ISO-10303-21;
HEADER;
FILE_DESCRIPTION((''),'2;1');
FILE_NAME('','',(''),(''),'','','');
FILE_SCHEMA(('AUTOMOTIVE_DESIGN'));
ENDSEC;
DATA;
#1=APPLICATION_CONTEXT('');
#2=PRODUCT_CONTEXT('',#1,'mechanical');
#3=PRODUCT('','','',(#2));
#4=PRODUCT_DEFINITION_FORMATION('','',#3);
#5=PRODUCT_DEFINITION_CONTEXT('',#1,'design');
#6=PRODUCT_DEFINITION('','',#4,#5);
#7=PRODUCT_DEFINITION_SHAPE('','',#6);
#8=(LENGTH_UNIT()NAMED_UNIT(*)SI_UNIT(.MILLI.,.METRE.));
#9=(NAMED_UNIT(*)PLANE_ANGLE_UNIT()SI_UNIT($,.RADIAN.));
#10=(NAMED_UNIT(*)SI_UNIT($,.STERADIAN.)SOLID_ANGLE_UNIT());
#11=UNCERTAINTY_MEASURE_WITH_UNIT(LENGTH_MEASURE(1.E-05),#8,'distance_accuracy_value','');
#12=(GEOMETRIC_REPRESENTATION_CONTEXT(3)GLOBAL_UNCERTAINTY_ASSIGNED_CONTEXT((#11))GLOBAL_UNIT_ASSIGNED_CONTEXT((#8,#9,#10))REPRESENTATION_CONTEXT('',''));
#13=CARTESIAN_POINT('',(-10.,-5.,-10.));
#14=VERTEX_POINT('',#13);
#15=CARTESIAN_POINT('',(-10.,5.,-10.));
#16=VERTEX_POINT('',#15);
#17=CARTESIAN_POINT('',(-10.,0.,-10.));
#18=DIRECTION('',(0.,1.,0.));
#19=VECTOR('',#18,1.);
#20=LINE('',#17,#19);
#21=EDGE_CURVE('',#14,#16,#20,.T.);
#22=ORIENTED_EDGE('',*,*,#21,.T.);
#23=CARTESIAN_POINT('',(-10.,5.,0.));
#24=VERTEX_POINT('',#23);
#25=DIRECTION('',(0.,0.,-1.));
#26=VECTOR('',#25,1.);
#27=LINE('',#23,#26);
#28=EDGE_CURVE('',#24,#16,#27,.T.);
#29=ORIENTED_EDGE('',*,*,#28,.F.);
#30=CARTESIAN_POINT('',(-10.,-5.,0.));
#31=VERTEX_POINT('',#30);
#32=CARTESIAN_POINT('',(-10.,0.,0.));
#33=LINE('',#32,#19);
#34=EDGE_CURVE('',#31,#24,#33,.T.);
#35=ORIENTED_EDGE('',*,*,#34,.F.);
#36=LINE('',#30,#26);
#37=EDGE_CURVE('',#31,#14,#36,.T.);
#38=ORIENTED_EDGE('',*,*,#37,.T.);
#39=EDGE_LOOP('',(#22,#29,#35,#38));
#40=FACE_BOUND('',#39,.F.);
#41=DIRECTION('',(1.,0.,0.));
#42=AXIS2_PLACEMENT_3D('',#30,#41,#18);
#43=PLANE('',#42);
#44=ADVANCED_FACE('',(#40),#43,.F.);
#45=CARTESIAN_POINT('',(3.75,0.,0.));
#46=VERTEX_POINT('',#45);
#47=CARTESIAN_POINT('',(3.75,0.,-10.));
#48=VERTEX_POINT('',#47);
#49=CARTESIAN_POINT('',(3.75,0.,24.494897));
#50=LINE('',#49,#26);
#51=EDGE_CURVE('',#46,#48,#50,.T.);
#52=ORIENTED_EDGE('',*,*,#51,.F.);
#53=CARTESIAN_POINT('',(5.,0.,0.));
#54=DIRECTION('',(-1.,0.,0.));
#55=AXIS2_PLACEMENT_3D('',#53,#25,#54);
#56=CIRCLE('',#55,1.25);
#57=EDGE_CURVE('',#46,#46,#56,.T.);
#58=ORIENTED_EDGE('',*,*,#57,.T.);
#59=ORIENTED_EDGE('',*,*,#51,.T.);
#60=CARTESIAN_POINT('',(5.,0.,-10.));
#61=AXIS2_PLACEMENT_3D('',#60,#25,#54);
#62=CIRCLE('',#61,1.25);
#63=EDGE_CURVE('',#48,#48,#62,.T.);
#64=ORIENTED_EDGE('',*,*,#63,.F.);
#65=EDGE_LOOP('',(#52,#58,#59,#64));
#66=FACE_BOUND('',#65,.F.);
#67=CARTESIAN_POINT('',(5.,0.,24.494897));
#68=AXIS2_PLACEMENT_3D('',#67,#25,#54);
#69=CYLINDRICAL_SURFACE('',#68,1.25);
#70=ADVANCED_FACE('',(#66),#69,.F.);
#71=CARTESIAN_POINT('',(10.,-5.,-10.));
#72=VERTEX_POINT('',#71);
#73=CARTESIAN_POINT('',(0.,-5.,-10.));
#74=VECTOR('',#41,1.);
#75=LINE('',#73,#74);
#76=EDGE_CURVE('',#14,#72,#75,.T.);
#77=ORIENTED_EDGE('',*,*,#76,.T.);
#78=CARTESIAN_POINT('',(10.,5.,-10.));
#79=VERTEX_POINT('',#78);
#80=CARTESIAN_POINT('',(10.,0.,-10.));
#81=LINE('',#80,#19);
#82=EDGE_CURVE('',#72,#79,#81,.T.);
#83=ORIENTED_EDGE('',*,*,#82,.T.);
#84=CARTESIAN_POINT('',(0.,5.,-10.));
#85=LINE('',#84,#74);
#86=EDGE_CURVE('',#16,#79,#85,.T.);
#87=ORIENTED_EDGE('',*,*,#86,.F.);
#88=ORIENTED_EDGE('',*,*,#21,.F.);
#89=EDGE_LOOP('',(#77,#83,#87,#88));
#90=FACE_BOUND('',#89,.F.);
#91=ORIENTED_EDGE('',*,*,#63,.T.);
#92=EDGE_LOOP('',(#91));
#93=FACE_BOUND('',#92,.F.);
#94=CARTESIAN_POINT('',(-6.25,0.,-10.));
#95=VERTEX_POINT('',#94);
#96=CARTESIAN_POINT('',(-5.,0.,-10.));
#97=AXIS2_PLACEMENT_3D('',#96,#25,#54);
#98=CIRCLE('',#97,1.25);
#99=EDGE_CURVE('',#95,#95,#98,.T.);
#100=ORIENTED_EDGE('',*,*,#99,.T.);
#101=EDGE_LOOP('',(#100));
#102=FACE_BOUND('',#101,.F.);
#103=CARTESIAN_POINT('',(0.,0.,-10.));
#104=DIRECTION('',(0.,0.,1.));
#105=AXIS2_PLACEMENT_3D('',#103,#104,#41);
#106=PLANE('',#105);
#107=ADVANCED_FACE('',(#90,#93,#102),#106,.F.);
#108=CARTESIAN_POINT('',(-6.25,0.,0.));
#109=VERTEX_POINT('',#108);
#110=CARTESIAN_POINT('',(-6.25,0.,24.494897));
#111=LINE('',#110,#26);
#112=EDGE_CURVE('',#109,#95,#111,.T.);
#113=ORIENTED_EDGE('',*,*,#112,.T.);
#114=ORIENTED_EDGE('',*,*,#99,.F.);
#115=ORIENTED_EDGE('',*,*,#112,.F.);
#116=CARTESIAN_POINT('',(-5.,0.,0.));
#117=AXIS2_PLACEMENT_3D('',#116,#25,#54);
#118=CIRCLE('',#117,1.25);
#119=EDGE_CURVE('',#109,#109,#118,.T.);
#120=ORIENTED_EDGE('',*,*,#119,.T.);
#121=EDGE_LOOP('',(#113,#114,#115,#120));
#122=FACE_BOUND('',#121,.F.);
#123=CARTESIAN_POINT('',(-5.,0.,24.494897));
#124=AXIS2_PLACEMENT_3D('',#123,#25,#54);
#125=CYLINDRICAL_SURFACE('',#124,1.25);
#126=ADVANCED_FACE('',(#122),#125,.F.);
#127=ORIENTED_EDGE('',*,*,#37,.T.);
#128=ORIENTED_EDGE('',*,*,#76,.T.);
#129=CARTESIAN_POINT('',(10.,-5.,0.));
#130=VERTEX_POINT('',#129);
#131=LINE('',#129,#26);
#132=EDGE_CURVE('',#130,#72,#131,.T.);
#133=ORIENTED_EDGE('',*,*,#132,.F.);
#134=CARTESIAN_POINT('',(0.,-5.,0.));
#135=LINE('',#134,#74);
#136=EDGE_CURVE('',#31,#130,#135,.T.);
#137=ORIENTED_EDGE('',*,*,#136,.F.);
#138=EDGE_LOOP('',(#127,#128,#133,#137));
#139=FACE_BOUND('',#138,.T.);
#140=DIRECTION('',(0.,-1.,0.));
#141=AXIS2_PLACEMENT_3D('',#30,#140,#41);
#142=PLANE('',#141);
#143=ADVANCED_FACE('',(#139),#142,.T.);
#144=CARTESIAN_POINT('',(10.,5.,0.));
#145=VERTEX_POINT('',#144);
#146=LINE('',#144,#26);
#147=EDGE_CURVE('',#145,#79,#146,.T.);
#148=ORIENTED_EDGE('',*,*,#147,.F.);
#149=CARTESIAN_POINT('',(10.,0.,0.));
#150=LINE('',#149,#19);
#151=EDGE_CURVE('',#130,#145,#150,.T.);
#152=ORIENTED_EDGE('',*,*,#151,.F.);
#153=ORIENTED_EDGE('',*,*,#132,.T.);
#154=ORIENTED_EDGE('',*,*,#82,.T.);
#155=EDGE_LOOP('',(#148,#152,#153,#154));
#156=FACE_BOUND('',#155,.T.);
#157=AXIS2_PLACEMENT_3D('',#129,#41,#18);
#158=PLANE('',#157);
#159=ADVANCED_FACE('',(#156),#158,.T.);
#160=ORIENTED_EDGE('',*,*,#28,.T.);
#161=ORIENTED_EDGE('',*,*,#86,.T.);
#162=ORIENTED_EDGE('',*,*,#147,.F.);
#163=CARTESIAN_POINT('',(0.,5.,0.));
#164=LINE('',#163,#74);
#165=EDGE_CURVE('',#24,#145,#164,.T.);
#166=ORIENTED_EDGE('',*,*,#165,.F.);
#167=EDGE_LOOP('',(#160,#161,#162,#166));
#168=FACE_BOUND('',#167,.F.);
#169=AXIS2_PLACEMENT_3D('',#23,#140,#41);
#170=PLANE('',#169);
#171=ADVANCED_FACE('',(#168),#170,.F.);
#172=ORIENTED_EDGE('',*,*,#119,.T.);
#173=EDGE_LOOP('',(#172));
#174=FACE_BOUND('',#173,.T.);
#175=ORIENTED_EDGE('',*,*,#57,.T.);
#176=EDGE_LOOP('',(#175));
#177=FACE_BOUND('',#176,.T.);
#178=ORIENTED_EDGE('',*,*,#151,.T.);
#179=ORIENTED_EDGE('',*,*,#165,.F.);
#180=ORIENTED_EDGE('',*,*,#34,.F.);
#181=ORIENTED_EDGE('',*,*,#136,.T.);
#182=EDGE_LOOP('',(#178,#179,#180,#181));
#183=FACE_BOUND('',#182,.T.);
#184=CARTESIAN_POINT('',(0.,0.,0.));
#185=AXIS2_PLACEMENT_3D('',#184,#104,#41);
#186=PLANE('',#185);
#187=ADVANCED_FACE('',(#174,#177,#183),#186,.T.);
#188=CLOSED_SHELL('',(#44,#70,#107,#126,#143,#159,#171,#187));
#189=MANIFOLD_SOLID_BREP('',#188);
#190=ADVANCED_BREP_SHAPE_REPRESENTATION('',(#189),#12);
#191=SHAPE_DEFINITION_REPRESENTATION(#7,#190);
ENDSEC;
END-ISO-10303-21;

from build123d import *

# Parameters (mm, degrees)
F0_W     = 20
F0_H     = 10
F1_DEPTH = 10
F2_D     = 2.5


with BuildPart() as f1:
    # F0 (on Top) → F1 (new body)
    with BuildSketch(Plane.XY):
        Rectangle(F0_W, F0_H)
    extrude(amount=-F1_DEPTH)

    # F2 (through all)
    with Locations(Plane.XY):
        with Locations((-5, 0), (5, 0)):
            Hole(F2_D / 2)


solid = f1.part
